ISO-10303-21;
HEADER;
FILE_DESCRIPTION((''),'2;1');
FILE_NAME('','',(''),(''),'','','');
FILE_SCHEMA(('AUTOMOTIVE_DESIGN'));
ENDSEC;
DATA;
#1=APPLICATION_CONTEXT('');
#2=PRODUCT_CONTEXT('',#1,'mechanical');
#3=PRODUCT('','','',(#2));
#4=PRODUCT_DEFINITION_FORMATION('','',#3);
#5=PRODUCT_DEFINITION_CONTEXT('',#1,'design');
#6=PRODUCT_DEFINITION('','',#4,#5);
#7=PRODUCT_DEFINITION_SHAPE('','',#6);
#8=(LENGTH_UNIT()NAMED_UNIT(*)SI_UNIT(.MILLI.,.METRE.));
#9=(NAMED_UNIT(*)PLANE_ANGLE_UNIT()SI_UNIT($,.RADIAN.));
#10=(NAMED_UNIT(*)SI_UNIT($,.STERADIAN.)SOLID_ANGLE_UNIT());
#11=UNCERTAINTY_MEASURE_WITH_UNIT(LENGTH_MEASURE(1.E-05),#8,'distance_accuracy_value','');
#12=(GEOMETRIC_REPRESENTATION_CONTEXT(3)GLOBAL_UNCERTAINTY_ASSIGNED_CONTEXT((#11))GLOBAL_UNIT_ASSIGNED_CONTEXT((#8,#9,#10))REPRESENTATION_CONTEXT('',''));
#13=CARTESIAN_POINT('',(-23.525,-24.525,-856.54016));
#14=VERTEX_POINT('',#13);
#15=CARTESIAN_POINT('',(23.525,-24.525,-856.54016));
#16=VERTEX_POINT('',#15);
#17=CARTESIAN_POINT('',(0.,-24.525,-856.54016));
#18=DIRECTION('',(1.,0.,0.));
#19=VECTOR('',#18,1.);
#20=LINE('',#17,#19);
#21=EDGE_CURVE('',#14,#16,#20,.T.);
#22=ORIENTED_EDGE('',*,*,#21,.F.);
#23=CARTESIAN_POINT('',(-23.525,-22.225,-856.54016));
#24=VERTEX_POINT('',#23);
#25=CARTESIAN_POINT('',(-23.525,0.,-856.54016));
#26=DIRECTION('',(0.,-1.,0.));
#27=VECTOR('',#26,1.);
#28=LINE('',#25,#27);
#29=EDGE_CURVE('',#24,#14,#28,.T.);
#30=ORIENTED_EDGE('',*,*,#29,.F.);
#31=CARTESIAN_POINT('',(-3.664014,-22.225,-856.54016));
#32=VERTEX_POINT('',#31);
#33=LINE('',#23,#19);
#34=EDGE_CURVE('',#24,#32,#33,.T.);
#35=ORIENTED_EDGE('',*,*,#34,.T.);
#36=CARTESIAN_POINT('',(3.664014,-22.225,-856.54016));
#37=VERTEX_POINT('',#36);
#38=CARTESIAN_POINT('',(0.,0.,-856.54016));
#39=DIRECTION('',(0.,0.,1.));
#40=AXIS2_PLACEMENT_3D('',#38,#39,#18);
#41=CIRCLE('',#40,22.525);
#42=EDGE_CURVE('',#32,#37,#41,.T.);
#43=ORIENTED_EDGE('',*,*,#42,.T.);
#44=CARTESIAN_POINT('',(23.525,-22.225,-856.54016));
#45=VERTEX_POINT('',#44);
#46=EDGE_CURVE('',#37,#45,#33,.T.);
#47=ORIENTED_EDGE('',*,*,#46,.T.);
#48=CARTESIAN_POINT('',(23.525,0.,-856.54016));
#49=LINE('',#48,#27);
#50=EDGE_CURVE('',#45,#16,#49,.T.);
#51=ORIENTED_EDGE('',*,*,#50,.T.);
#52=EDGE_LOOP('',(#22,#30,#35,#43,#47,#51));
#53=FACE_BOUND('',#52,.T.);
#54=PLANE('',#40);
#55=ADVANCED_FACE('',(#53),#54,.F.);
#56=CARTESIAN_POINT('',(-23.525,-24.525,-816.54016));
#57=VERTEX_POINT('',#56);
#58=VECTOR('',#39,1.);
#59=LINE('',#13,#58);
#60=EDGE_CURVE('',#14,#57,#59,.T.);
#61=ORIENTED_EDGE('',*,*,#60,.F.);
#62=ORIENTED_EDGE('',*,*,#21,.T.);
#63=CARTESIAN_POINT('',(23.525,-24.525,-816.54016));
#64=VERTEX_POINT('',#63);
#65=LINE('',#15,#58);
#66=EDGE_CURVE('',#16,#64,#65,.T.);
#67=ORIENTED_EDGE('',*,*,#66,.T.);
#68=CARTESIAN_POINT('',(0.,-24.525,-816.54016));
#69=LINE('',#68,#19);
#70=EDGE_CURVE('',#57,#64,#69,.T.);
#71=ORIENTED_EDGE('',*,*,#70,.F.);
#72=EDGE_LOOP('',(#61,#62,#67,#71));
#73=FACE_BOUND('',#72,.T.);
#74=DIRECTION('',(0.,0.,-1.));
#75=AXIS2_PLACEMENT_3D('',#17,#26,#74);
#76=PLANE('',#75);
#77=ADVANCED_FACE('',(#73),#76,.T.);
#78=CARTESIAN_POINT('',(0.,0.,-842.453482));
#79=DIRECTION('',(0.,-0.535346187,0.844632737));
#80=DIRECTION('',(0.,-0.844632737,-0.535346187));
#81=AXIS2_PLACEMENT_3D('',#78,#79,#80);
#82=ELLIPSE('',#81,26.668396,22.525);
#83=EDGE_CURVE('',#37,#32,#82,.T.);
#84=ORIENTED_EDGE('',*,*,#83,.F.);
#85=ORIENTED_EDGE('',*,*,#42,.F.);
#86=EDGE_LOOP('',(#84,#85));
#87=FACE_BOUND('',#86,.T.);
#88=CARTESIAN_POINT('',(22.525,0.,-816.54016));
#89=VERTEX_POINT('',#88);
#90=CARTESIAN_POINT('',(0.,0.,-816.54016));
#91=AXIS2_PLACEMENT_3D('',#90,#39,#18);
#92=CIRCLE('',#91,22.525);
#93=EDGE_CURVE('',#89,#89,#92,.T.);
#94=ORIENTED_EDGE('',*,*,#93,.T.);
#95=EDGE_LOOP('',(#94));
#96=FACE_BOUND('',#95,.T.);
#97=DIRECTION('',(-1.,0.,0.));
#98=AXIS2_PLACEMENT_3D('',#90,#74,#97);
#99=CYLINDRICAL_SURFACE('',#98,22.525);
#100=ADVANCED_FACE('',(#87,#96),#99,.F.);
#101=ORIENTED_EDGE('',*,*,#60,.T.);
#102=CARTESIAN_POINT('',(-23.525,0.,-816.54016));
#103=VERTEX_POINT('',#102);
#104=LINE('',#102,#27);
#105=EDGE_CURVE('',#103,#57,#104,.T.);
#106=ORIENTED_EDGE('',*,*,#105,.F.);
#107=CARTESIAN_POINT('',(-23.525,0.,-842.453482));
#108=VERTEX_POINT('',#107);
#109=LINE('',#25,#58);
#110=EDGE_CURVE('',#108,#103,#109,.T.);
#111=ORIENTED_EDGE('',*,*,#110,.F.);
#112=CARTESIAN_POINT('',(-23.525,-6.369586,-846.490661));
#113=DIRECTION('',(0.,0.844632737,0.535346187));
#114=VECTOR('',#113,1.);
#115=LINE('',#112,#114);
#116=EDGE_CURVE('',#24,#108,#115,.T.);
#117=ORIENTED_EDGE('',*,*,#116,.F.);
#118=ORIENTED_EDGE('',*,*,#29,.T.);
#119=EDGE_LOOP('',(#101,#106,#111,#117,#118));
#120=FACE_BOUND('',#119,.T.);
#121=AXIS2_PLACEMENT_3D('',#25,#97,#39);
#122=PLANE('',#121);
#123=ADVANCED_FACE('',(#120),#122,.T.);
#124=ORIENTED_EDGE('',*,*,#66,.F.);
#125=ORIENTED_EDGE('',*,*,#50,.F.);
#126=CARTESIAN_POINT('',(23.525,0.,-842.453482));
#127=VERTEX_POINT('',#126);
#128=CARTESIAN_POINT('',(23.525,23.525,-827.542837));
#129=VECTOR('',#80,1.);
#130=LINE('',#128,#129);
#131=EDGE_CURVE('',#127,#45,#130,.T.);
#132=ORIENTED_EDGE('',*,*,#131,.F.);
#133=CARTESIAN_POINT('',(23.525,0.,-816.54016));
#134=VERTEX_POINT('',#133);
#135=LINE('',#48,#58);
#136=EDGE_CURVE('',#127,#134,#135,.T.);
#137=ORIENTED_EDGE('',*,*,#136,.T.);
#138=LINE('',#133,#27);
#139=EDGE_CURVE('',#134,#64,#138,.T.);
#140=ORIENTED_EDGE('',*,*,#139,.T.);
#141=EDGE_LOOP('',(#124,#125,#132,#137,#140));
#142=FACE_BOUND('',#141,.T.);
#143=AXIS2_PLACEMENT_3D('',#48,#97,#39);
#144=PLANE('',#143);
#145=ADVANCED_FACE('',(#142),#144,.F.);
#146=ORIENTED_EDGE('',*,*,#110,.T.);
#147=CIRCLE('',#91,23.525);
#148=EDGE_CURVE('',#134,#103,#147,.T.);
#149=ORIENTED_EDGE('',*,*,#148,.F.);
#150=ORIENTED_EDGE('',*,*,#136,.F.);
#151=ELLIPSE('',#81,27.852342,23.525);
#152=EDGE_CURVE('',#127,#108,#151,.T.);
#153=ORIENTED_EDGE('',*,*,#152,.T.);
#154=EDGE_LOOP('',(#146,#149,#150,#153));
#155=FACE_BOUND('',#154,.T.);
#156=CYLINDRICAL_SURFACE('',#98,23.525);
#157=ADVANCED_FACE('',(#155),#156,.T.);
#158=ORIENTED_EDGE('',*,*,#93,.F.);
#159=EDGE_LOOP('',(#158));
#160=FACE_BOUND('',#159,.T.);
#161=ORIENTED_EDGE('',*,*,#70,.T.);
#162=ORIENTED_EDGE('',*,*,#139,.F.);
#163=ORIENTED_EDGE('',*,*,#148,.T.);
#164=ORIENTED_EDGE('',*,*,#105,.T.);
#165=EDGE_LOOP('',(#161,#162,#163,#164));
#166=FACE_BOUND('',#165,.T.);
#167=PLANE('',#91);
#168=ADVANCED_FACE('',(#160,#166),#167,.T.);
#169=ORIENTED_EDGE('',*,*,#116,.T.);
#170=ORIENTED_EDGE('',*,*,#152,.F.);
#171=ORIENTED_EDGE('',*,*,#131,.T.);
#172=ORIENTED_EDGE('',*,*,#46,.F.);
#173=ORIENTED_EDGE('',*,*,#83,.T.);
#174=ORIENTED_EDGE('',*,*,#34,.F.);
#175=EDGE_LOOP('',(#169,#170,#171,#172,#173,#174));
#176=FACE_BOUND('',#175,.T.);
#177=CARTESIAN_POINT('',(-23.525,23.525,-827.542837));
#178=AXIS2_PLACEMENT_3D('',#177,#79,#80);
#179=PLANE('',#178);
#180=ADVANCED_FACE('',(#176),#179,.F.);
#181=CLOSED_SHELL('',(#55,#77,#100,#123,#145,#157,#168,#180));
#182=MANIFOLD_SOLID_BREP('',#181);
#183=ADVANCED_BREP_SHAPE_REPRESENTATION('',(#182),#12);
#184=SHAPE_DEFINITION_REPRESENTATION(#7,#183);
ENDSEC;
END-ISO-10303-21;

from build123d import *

# Parameters (mm, degrees)
BOSS_EXTRUDE1_START     = -856.54016
SKETCH1_R               = 23.525
SKETCH1_R_2             = 22.525
BOSS_EXTRUDE1_DEPTH     = 40
BOSS_EXTRUDE2_DEPTH     = 40
CUT_EXTRUDE1_DEPTH      = 24.525
CUT_EXTRUDE1_DEPTH_BACK = 24.525


with BuildPart() as part:
    # Sketch1 → Boss-Extrude1 (new body)
    with BuildSketch(Plane.XY.offset(BOSS_EXTRUDE1_START)):
        Circle(SKETCH1_R)
        Circle(SKETCH1_R_2, mode=Mode.SUBTRACT)
    extrude(amount=BOSS_EXTRUDE1_DEPTH)

    # Sketch4 → Boss-Extrude2 (add)
    with BuildSketch(Plane.XY.offset(-816.540159845)):
        Polygon((23.525, -23.525), (23.525, -24.525), (-23.525, -24.525), (-23.525, -23.525), (0, -23.525), align=None)
        with BuildLine():
            Line((23.525, -23.525), (23.525, 0))
            ThreePointArc((23.525, 0), (16.634687027, -16.634687027), (0, -23.525))
            Line((0, -23.525), (23.525, -23.525))
        make_face()
        with BuildLine():
            ThreePointArc((0, -23.525), (-16.634687027, -16.634687027), (-23.525, 0))
            Line((-23.525, 0), (-23.525, -23.525))
            Line((-23.525, -23.525), (0, -23.525))
        make_face()
    extrude(amount=-BOSS_EXTRUDE2_DEPTH)

    # Sketch3 → Cut-Extrude1 (cut, two sides)
    with BuildSketch(Plane(origin=(0, 0, 0), x_dir=(0, 0, -1), z_dir=(1, 0, 0))) as cut_extrude1_sk:
        Polygon((827.542837087, 23.525), (856.540159845, -22.225), (856.540159845, 23.525), align=None)
    extrude(amount=CUT_EXTRUDE1_DEPTH, mode=Mode.SUBTRACT)
    extrude(cut_extrude1_sk.sketch, amount=-CUT_EXTRUDE1_DEPTH_BACK, mode=Mode.SUBTRACT)


solid = part.part
